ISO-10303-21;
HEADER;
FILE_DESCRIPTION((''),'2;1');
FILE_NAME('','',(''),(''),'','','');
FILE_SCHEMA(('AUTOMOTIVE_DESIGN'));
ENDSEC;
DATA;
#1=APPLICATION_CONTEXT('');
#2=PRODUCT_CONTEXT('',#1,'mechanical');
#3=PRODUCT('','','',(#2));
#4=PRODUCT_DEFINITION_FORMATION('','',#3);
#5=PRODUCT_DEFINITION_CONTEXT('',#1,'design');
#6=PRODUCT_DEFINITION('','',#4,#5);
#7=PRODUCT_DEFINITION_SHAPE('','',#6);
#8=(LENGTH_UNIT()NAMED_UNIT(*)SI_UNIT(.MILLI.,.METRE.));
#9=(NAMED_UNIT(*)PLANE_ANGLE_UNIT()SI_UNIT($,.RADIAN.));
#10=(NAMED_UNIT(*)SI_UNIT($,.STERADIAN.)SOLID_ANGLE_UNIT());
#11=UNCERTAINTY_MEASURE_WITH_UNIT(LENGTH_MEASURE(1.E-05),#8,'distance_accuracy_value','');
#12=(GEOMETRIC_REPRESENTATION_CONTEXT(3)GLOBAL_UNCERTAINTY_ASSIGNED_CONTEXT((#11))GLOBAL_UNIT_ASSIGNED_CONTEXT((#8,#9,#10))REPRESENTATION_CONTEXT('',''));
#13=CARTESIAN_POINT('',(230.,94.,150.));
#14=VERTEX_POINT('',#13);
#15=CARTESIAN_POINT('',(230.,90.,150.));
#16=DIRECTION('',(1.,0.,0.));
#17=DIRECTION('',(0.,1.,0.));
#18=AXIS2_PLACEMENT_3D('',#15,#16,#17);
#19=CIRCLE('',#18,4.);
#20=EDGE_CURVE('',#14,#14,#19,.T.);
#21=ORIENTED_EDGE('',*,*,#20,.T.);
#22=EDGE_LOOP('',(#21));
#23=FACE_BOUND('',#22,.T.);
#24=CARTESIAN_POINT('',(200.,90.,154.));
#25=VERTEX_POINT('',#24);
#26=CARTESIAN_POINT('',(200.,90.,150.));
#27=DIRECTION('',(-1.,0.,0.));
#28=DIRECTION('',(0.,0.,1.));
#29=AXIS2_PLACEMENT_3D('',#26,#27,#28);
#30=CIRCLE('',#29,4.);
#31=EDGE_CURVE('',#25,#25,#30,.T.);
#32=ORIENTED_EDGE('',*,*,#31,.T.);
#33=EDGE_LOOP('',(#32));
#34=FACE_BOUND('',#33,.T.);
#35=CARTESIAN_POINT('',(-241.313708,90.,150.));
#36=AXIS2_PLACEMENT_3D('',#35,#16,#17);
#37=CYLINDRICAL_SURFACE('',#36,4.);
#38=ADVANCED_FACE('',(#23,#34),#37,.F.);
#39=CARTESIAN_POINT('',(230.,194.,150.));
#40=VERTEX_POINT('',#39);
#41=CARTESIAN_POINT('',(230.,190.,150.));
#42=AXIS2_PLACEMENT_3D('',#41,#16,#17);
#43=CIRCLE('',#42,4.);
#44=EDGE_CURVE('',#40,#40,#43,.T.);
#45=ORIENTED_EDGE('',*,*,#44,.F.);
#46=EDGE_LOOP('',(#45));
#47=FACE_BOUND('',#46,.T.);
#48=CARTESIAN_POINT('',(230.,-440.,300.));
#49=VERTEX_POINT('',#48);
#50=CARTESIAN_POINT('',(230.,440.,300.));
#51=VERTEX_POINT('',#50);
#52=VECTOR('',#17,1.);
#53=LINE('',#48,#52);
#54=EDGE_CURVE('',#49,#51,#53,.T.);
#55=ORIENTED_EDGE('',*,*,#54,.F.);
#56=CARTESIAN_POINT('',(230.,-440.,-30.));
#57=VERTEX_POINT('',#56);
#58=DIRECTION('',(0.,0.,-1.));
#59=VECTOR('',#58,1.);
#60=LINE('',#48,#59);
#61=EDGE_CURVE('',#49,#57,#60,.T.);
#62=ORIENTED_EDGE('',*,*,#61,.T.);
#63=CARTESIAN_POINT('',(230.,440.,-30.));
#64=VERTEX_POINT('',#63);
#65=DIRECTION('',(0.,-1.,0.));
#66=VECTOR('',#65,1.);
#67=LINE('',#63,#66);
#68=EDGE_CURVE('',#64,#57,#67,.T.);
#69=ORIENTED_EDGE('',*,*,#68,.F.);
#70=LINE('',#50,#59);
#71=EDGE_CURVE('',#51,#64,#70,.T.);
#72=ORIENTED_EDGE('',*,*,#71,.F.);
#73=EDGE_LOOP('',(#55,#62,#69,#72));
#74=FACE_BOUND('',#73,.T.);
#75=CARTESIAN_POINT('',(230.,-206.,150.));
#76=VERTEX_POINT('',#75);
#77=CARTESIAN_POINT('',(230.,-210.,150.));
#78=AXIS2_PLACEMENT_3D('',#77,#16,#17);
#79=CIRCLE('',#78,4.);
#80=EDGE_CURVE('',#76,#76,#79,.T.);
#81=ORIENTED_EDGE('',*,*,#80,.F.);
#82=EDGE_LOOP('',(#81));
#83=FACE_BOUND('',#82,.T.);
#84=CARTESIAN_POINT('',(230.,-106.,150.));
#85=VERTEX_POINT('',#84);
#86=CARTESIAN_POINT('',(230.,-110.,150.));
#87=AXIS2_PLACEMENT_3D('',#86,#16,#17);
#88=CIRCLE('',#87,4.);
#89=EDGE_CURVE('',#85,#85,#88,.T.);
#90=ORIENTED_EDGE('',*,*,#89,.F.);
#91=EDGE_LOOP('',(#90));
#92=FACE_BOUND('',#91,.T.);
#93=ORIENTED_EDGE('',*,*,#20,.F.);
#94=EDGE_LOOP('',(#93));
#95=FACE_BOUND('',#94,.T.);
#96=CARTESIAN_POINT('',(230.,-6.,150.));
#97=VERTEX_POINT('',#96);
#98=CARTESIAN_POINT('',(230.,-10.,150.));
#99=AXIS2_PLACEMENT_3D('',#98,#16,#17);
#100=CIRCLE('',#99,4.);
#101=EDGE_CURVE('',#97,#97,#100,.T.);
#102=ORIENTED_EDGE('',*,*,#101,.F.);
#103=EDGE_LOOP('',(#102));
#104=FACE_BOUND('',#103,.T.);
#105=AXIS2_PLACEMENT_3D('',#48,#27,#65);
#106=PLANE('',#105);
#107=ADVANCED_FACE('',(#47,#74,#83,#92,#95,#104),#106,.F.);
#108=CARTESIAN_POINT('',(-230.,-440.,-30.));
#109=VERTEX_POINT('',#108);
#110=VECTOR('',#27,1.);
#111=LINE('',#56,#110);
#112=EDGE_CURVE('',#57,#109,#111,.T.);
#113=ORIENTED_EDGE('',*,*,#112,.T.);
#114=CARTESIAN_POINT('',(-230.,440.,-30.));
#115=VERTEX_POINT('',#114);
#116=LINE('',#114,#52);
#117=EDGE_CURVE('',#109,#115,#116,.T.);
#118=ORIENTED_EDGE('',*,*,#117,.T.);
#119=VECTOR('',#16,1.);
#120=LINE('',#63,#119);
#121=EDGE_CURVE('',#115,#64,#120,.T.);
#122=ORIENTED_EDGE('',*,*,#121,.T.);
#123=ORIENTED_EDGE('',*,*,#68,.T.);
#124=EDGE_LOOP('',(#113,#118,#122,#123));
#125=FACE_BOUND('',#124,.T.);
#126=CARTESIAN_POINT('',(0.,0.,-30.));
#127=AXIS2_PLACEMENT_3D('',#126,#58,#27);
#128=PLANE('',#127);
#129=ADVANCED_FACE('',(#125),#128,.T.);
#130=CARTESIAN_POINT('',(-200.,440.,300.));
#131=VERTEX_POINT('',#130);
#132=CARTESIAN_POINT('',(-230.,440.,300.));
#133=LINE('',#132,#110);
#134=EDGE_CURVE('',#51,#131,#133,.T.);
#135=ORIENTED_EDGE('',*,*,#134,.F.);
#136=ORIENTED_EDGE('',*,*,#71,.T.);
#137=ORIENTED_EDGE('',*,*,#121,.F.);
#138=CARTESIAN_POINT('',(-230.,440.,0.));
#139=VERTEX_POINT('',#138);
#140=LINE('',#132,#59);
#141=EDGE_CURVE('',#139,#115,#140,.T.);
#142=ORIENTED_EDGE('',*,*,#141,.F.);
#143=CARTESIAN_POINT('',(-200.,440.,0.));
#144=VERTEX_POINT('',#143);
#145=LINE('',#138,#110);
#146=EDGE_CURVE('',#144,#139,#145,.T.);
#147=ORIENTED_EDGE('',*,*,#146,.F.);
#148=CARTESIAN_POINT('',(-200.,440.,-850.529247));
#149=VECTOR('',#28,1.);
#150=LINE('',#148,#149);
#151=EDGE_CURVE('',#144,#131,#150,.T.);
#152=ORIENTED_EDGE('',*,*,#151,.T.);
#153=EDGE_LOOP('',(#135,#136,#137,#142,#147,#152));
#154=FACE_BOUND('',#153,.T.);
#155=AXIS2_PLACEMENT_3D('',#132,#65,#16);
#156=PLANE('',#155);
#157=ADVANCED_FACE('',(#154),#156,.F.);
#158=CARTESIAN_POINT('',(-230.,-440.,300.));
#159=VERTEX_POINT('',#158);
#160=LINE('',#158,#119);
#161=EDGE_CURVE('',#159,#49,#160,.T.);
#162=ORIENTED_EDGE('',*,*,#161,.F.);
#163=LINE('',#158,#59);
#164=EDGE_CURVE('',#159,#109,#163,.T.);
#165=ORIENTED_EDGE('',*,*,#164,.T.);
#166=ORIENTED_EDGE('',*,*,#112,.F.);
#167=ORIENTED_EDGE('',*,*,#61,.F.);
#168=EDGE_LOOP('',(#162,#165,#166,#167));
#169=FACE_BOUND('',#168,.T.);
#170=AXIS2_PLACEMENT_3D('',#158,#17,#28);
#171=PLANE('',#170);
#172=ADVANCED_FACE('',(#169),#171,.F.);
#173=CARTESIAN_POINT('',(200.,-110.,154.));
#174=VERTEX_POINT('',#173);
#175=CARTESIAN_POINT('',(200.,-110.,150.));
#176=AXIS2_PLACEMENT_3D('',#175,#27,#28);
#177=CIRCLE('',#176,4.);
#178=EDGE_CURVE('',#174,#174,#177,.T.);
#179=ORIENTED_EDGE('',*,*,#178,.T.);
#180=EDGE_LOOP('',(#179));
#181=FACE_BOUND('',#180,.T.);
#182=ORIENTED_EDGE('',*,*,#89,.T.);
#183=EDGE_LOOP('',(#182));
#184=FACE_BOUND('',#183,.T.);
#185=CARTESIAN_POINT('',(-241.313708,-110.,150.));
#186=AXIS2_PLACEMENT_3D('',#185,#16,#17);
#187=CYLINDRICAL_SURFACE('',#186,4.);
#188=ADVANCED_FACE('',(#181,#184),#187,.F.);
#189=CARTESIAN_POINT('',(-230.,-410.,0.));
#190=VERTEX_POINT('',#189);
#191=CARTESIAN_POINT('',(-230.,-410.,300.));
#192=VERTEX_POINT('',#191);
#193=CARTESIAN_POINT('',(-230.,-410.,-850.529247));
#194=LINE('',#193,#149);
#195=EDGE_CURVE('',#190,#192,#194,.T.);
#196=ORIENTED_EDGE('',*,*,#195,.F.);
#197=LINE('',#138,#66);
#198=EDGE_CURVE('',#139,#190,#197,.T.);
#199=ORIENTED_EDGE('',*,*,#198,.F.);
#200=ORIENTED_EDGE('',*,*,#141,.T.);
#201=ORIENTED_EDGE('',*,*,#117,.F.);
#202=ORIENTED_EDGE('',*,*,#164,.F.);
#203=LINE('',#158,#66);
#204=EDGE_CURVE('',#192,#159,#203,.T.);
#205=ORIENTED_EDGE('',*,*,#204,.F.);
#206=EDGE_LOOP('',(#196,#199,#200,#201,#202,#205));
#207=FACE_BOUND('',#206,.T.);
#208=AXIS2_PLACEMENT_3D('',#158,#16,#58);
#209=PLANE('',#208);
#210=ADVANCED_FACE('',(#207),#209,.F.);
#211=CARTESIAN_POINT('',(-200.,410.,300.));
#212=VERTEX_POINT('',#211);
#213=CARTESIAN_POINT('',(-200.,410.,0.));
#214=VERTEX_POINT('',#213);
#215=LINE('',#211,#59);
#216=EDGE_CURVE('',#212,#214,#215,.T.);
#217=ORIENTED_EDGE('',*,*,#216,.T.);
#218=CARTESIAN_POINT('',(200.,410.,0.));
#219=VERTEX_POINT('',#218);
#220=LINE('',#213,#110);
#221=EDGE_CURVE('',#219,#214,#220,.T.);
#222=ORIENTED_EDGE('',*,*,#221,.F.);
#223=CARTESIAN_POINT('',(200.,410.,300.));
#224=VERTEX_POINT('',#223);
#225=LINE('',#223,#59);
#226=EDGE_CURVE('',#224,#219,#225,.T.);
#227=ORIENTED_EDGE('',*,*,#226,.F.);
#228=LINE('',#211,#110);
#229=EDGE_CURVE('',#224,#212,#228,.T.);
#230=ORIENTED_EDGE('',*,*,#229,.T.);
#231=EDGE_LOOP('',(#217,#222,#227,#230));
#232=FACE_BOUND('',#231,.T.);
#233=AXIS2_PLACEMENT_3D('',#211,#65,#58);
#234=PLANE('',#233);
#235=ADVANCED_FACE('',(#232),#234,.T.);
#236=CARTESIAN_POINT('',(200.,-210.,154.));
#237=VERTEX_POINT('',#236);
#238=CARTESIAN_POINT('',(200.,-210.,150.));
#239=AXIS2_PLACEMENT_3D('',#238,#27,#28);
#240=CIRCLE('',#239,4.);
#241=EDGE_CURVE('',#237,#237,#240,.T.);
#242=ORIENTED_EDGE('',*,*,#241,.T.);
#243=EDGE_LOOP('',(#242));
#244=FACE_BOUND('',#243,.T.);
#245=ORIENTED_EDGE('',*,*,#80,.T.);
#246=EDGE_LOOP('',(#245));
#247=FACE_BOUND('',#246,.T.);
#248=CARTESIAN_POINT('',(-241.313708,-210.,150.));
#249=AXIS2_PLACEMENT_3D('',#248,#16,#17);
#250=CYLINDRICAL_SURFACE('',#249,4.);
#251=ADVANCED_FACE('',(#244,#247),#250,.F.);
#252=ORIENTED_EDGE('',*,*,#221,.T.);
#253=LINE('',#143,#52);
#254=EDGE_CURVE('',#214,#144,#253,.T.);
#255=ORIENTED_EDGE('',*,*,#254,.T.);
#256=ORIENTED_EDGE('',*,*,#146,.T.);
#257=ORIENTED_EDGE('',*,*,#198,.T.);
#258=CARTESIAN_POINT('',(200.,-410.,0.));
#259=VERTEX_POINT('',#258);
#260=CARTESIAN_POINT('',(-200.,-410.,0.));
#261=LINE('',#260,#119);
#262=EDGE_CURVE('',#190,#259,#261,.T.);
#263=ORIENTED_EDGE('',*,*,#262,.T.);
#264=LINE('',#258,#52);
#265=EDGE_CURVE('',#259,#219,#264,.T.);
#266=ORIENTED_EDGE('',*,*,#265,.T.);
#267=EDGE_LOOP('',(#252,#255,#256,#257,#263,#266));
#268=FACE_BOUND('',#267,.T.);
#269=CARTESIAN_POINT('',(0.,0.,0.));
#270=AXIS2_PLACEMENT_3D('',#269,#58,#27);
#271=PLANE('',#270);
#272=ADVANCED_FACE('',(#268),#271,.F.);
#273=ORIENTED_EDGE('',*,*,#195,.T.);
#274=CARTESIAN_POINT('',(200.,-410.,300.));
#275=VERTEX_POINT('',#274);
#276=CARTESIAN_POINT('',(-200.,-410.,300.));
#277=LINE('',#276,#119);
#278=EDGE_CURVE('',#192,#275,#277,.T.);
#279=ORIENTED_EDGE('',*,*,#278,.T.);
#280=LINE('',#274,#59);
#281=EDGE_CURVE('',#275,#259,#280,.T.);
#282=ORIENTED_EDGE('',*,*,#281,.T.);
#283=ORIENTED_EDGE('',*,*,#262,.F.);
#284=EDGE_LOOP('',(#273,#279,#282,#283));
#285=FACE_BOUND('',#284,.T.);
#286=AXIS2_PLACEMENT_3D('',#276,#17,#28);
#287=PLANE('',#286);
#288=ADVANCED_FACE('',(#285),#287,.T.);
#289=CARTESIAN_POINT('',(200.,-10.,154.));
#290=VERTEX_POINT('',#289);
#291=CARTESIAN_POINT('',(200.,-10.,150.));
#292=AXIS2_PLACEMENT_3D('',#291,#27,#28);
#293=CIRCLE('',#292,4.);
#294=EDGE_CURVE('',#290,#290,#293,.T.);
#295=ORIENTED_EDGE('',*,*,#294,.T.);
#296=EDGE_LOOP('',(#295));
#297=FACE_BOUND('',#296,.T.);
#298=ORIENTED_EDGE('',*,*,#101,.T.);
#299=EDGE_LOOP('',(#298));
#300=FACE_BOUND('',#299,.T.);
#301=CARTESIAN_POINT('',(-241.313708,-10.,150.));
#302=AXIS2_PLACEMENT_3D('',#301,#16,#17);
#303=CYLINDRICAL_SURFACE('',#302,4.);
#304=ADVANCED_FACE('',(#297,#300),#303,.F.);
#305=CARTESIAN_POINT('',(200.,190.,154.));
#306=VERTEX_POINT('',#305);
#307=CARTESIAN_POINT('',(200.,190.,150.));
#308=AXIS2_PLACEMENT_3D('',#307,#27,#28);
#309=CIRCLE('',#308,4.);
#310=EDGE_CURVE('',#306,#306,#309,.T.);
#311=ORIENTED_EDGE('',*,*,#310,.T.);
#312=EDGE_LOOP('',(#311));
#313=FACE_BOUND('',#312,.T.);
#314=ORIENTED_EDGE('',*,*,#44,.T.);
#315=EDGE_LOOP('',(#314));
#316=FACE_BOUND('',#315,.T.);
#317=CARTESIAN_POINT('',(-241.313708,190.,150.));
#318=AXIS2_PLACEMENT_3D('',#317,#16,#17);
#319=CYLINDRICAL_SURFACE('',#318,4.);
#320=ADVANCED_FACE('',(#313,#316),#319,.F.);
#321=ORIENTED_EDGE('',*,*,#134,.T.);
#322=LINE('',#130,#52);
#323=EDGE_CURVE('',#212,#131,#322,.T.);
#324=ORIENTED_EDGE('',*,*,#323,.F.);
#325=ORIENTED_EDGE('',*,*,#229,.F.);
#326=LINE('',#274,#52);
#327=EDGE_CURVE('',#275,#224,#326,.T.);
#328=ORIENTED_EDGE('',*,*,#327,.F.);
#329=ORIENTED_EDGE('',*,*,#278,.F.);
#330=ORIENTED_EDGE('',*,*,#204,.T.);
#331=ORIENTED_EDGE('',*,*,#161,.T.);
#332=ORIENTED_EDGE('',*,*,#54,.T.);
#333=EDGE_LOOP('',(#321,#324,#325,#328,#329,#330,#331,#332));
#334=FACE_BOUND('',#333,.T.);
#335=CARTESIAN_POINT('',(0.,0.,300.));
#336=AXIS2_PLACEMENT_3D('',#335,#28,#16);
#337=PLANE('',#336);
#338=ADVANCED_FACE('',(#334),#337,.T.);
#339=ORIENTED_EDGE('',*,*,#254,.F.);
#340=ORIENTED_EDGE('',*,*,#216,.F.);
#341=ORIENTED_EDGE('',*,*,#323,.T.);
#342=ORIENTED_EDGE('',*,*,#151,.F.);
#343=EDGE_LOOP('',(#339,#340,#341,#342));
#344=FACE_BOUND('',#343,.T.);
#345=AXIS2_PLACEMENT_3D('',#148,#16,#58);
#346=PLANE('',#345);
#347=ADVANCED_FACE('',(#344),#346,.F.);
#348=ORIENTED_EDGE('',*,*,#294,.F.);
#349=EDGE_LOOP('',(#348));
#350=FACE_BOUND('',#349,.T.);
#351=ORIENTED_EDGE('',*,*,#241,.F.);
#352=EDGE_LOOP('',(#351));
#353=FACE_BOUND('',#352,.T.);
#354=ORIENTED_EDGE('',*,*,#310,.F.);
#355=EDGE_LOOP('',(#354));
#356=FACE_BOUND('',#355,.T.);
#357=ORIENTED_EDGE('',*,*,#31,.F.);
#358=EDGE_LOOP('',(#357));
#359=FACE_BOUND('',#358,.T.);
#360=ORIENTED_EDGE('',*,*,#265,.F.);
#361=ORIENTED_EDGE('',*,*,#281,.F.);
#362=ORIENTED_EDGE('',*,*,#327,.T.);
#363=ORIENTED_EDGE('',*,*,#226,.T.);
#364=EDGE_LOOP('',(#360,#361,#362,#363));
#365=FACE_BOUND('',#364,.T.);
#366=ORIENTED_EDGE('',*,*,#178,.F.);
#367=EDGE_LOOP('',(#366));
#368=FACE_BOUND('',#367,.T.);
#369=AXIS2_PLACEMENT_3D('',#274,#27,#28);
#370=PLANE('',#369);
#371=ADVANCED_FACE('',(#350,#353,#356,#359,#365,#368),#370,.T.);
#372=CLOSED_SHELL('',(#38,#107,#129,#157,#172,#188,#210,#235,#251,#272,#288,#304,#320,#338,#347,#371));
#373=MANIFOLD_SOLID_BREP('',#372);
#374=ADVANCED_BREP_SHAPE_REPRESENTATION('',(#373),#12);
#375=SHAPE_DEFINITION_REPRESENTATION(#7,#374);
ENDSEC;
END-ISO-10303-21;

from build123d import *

# Parameters (mm, degrees)
SKETCH1_W           = 460
SKETCH1_H           = 880
SKETCH1_W_2         = 400
SKETCH1_H_2         = 820
BOSS_EXTRUDE1_DEPTH = 300
SKETCH2_W           = 460
SKETCH2_H           = 880
BOSS_EXTRUDE2_DEPTH = 30
SKETCH3_R           = 4
CUT_EXTRUDE1_DEPTH  = 460
SKETCH4_W           = 30
SKETCH4_H           = 850
CUT_EXTRUDE2_DEPTH  = 300


with BuildPart() as part:
    # Sketch1 → Boss-Extrude1 (new body)
    with BuildSketch(Plane.XY):
        Rectangle(SKETCH1_W, SKETCH1_H)
        Rectangle(SKETCH1_W_2, SKETCH1_H_2, mode=Mode.SUBTRACT)
    extrude(amount=BOSS_EXTRUDE1_DEPTH)

    # Sketch2 → Boss-Extrude2 (add)
    with BuildSketch(Plane(origin=(0, 0, 0), x_dir=(-1, 0, 0), z_dir=(0, 0, -1))):
        Rectangle(SKETCH2_W, SKETCH2_H)
    extrude(amount=BOSS_EXTRUDE2_DEPTH)

    # Sketch3 → Cut-Extrude1 (cut)
    with BuildSketch(Plane(origin=(230, 0, 0), x_dir=(0, 0, -1), z_dir=(1, 0, 0))):
        with Locations((-150, 190)):
            Circle(SKETCH3_R)
        with Locations((-150, 90)):
            Circle(SKETCH3_R)
        with Locations((-150, -10)):
            Circle(SKETCH3_R)
        with Locations((-150, -110)):
            Circle(SKETCH3_R)
        with Locations((-150, -210)):
            Circle(SKETCH3_R)
    extrude(amount=-CUT_EXTRUDE1_DEPTH, mode=Mode.SUBTRACT)

    # Sketch4 → Cut-Extrude2 (cut)
    with BuildSketch(Plane.XY.offset(300)):
        with Locations((-215, 15)):
            Rectangle(SKETCH4_W, SKETCH4_H)
    extrude(amount=-CUT_EXTRUDE2_DEPTH, mode=Mode.SUBTRACT)


solid = part.part
